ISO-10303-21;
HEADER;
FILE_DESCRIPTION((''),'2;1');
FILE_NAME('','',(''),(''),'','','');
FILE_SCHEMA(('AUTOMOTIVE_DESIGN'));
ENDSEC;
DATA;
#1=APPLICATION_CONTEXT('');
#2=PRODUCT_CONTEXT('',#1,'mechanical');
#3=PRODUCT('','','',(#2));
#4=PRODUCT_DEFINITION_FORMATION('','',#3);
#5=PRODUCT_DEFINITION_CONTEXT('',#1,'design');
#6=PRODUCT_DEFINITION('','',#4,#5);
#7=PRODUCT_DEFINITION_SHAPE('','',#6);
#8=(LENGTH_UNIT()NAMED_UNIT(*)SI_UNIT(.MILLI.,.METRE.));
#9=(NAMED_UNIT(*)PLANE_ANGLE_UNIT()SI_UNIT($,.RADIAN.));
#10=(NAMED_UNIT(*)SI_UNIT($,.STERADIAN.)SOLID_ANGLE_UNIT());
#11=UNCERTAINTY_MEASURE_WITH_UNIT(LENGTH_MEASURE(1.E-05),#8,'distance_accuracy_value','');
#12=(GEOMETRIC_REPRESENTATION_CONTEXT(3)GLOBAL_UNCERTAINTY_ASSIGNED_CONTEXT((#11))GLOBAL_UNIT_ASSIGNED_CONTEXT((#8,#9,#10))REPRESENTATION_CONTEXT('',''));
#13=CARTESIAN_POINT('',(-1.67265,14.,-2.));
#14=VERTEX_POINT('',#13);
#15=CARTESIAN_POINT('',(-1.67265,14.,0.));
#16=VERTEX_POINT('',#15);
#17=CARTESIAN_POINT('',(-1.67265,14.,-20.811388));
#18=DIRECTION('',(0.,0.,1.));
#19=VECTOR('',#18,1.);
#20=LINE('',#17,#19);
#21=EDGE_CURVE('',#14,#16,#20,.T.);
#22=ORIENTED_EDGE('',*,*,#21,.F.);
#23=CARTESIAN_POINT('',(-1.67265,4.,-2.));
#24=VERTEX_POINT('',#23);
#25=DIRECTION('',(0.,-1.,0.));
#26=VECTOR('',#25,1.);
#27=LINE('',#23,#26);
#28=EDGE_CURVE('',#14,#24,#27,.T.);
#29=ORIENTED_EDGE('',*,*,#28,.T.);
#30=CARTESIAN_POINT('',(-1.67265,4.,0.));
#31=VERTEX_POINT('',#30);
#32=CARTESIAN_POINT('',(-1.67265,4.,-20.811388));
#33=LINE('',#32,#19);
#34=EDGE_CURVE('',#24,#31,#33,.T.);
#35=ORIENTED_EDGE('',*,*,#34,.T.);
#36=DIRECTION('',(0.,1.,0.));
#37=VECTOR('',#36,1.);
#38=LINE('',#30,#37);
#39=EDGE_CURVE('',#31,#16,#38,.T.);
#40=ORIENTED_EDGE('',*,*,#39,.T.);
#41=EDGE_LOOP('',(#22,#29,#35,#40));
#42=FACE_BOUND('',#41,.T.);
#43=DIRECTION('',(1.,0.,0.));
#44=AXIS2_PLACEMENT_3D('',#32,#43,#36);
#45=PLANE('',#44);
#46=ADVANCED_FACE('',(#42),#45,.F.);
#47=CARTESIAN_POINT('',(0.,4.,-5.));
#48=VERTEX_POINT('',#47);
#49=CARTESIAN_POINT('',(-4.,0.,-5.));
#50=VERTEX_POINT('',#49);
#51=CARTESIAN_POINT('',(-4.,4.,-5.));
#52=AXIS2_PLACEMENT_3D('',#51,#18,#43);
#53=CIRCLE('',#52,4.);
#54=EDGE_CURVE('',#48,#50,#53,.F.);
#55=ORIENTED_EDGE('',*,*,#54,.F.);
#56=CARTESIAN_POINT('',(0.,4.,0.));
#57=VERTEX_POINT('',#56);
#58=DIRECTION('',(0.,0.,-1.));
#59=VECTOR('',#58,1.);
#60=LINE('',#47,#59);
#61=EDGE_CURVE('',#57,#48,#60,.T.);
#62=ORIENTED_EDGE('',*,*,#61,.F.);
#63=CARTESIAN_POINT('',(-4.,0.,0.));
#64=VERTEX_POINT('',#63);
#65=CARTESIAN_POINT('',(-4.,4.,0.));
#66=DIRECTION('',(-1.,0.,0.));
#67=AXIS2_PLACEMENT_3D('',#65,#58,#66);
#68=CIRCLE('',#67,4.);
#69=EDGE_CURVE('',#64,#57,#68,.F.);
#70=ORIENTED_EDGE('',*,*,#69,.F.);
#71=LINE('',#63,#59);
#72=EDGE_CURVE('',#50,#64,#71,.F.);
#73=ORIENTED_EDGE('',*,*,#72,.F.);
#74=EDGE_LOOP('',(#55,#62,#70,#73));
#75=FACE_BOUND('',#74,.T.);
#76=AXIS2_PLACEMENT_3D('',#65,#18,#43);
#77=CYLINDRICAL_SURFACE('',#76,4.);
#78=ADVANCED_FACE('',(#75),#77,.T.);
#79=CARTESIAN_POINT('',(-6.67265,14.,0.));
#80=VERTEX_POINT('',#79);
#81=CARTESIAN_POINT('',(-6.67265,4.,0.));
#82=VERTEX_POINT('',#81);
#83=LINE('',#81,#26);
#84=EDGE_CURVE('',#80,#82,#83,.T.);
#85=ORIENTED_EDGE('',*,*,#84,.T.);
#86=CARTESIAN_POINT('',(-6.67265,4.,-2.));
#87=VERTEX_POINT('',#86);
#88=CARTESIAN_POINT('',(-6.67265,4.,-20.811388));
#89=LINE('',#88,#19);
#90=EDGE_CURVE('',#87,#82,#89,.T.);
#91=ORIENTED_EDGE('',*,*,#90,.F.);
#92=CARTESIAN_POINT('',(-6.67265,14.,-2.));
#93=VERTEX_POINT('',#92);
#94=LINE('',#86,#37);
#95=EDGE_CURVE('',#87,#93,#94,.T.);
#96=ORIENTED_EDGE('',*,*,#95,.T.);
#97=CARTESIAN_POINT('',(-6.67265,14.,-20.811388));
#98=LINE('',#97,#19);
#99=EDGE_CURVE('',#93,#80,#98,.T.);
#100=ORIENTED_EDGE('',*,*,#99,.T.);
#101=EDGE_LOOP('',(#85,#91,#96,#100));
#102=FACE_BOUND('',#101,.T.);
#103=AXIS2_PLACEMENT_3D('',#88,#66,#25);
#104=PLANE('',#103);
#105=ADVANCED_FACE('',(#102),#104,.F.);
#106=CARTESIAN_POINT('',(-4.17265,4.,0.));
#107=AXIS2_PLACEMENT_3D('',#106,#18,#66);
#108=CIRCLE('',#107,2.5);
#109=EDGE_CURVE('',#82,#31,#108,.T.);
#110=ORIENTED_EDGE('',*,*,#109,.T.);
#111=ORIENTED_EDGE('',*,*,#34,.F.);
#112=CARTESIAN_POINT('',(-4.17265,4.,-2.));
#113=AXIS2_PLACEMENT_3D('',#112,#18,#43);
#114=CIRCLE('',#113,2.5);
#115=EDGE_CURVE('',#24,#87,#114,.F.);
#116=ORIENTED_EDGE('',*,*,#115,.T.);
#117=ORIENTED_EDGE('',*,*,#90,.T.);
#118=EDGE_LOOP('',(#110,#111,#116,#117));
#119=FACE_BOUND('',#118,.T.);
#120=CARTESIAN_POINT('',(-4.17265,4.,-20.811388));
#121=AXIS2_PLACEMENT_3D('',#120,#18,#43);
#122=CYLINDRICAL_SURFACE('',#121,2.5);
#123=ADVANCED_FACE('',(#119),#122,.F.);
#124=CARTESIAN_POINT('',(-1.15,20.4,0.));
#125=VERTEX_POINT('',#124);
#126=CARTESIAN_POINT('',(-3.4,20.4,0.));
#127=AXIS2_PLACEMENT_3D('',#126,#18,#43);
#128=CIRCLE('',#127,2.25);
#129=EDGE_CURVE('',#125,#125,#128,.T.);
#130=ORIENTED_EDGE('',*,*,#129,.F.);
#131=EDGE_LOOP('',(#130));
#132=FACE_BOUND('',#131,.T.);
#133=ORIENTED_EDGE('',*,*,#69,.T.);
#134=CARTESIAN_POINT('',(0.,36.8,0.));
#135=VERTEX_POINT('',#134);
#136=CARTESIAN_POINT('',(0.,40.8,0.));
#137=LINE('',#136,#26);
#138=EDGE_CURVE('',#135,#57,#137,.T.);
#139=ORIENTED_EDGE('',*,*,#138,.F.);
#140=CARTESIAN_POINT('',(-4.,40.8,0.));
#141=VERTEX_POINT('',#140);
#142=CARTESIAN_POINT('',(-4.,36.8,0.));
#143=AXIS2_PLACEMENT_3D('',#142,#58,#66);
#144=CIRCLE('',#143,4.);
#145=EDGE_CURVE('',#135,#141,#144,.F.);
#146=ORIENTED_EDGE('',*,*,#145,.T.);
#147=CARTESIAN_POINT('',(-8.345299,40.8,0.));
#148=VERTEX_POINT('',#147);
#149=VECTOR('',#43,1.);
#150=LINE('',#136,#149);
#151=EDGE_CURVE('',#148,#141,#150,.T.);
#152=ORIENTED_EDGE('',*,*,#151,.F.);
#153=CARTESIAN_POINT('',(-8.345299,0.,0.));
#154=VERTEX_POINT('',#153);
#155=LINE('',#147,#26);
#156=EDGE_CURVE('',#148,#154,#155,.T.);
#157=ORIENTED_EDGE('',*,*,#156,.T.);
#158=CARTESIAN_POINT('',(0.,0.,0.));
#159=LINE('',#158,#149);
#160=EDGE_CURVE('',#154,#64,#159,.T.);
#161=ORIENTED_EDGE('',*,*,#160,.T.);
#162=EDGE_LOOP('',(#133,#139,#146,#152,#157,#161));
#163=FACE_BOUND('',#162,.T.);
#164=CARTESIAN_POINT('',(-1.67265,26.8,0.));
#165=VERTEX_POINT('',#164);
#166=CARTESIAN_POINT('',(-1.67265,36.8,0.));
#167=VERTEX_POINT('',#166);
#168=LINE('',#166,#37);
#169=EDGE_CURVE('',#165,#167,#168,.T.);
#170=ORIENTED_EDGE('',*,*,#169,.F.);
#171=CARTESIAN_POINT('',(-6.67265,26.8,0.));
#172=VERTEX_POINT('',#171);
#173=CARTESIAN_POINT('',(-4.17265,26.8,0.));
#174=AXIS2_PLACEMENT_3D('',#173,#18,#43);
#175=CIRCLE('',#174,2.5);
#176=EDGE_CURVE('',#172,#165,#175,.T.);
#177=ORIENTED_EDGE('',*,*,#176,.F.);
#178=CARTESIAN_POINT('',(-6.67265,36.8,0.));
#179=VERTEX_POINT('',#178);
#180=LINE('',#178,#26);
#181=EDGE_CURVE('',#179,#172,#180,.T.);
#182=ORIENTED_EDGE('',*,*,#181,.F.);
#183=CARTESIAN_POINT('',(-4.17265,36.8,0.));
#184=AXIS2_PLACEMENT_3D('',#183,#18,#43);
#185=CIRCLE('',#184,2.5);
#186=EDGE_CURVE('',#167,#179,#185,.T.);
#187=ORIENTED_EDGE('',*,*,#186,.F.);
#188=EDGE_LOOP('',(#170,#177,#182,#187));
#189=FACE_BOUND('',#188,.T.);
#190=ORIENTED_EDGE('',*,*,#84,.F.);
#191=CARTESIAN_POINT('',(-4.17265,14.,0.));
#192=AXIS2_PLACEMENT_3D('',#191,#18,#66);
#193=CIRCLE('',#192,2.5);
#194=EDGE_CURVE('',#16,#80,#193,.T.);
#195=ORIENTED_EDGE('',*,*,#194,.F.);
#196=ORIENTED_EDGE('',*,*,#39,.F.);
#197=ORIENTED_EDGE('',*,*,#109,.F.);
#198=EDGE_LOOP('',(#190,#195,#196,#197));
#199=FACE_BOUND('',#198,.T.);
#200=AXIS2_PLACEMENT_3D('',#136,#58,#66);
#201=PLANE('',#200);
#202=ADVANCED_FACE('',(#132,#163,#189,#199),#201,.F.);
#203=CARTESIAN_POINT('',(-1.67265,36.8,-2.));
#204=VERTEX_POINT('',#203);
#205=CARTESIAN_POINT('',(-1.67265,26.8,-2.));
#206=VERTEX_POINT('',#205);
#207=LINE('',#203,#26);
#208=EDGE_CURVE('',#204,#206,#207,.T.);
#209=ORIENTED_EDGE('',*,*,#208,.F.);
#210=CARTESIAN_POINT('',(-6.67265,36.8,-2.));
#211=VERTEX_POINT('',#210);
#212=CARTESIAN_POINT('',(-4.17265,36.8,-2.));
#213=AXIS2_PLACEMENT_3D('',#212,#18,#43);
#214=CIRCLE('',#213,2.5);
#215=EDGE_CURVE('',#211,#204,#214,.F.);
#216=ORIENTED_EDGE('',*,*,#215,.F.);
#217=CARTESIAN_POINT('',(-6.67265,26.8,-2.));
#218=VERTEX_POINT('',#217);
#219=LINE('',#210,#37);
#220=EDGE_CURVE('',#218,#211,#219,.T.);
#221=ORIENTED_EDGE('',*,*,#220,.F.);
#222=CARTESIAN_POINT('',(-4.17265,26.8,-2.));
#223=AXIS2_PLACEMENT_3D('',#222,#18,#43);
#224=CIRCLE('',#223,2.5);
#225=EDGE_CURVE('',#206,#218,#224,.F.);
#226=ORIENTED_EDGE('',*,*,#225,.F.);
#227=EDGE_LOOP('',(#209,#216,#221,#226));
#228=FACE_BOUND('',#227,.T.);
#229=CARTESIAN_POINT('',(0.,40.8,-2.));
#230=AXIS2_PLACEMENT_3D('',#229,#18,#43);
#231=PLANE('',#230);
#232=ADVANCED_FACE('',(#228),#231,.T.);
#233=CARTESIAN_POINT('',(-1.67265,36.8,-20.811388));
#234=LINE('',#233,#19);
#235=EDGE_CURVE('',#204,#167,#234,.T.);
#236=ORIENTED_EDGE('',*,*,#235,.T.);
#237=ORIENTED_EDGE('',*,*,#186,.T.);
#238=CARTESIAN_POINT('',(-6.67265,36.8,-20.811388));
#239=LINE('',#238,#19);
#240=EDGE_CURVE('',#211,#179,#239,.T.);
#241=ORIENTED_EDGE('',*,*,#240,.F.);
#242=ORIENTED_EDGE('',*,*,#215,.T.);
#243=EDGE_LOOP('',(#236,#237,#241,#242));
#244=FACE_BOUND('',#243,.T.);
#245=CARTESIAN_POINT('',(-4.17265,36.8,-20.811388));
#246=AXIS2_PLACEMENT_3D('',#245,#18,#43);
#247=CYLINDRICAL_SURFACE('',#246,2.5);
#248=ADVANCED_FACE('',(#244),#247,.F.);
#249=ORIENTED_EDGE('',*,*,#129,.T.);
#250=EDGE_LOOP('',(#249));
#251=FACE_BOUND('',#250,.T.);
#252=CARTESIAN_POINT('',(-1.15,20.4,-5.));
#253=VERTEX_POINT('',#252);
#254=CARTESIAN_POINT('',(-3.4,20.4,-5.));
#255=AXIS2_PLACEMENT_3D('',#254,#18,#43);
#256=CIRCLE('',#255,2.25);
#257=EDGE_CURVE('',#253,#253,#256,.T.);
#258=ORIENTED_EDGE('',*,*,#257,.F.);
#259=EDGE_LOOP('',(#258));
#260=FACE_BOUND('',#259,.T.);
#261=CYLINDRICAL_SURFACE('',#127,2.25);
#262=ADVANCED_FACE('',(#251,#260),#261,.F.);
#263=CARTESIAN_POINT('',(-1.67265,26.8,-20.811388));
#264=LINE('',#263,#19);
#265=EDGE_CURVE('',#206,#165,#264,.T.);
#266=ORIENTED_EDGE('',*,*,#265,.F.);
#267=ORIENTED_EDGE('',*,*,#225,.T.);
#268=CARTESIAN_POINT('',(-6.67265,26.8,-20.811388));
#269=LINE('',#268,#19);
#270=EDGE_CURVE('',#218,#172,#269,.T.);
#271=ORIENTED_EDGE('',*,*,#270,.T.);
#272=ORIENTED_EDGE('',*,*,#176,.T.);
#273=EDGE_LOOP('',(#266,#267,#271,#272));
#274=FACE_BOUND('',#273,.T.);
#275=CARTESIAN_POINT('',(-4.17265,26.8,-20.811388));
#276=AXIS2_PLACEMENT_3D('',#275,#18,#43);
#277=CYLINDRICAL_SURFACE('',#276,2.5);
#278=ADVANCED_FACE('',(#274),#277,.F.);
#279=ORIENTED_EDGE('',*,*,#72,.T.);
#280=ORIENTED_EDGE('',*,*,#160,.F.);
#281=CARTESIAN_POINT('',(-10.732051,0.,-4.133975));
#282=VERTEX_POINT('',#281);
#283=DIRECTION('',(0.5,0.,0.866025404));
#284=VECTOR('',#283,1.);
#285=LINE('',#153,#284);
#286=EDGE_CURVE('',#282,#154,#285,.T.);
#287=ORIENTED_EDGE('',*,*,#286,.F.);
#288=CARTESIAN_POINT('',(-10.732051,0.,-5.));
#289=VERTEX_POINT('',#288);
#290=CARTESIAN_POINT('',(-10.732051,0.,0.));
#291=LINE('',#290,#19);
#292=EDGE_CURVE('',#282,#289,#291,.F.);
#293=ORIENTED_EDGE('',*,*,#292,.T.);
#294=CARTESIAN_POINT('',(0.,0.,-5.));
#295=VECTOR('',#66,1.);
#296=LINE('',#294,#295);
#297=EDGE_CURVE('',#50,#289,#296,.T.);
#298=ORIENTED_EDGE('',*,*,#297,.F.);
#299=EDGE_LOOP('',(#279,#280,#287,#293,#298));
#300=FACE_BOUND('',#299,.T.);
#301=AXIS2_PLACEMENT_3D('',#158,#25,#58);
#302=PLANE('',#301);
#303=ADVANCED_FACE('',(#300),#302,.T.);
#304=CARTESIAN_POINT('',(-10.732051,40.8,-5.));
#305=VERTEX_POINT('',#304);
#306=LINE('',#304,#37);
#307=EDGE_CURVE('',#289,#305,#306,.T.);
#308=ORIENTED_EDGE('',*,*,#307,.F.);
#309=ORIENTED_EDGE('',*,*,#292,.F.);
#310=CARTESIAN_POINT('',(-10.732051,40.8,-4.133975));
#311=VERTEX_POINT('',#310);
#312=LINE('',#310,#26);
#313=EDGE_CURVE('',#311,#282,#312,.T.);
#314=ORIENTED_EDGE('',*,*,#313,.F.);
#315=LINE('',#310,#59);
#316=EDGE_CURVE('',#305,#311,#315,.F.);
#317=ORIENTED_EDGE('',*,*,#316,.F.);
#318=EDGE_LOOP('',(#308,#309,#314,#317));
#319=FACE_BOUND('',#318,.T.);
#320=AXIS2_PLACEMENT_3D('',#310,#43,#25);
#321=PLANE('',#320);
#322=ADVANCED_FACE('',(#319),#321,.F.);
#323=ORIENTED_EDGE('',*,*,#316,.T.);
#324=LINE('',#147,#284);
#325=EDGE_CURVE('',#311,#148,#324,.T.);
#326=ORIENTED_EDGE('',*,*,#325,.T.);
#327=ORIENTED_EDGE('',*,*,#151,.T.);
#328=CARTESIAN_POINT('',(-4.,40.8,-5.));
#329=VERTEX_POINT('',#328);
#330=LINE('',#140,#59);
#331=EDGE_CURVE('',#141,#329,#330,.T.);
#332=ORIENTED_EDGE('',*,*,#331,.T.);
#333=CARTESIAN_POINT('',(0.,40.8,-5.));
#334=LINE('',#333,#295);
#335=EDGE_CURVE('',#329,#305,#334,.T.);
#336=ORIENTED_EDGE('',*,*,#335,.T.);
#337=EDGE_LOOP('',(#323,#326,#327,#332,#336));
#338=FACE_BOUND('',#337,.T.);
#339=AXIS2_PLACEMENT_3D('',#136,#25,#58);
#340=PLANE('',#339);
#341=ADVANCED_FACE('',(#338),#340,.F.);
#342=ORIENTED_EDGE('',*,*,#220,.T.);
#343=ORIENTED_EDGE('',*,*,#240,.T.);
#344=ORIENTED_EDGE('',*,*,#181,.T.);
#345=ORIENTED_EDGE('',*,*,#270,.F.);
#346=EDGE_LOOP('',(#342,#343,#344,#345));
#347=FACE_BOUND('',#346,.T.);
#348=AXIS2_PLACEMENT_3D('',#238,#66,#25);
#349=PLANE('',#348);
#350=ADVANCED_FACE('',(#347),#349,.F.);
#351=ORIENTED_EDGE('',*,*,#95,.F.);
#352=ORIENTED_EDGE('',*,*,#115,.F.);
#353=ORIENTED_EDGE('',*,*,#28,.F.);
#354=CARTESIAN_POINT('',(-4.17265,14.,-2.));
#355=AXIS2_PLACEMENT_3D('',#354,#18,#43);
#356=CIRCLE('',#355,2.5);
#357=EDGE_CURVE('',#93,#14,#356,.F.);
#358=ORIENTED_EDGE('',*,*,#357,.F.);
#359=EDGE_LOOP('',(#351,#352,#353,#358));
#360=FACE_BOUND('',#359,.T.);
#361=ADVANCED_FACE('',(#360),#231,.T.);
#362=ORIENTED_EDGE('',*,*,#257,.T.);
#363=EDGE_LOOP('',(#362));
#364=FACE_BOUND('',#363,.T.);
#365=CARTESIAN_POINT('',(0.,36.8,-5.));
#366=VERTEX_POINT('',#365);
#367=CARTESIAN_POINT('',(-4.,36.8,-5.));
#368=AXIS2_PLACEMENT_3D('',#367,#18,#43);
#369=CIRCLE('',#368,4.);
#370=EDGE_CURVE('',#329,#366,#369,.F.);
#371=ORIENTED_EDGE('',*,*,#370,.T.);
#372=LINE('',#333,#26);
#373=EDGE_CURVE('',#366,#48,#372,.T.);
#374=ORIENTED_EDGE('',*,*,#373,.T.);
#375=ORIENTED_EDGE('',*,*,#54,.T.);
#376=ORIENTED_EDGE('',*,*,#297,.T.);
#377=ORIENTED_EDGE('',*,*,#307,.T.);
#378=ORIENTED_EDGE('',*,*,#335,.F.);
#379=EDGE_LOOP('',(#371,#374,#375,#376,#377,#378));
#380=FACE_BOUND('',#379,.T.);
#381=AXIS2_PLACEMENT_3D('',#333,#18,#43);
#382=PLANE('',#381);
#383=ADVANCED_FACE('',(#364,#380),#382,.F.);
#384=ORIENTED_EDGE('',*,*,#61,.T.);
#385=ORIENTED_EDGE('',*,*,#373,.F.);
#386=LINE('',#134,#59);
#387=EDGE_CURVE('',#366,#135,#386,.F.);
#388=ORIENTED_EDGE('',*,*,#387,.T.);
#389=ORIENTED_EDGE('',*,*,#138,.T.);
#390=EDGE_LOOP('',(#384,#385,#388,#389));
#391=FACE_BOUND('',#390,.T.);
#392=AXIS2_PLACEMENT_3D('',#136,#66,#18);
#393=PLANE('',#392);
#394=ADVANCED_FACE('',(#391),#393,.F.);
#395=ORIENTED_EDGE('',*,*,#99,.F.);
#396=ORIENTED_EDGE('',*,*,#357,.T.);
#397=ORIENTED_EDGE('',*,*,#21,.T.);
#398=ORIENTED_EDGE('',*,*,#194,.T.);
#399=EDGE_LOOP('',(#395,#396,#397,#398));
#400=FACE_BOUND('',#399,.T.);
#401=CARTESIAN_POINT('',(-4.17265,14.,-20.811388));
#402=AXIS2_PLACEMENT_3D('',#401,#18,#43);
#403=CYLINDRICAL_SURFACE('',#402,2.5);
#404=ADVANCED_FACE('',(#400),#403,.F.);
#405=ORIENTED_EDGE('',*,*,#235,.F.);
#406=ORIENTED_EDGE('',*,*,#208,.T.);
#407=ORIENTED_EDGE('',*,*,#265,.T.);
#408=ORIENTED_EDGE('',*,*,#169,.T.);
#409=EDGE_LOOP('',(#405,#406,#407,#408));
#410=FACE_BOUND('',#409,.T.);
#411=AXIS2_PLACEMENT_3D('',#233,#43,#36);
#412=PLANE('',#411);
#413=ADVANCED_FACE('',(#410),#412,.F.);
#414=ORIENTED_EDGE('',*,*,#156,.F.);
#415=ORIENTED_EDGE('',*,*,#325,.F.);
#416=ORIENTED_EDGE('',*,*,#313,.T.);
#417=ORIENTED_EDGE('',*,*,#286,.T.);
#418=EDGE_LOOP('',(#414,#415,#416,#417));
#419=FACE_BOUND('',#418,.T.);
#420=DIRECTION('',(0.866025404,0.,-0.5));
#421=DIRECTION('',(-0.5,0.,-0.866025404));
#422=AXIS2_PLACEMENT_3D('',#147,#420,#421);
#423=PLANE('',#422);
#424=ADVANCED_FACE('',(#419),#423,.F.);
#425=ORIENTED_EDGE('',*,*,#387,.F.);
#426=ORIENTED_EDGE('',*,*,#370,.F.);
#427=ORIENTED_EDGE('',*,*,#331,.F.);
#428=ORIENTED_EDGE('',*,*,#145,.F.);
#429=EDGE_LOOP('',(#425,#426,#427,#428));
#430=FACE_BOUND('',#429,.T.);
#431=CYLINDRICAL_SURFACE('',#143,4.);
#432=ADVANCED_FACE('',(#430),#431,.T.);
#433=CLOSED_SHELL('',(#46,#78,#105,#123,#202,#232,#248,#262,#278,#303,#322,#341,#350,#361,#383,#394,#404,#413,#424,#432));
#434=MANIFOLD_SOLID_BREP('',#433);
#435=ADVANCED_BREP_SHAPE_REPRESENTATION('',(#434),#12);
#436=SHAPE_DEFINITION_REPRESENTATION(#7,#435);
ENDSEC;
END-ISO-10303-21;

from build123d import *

# Parameters (mm, degrees)
EXTRUDE_1_DEPTH     = 40.8
FILLET_1_R          = 4
CUT_EXTRUDE_1_DEPTH = 2
HOLE_WIZARD_M41_D   = 4.5
CHAMFER_1_SIZE      = 0.5
CHAMFER_1_SIZE2     = 1


with BuildPart() as part:
    # Эскиз1 → Бобышка-Вытянуть1 (new body)
    with BuildSketch(Plane(origin=(0, 0, 0), x_dir=(1, 0, 0), z_dir=(0, 1, 0))):
        Polygon((0, 0), (0, 5), (-11.232050808, 5), (-8.345299462, 0), align=None)
    extrude(amount=EXTRUDE_1_DEPTH)

    # Скругление1
    fillet_1_edges = [part.edges().sort_by_distance(p)[0] for p in [
        (0, 0, -2.5),
        (0, 40.8, -2.5),
    ]]
    fillet(fillet_1_edges, radius=FILLET_1_R)

    # Эскиз4 → Вырез-Вытянуть1 (cut)
    with BuildSketch(Plane.XY):
        with BuildLine():
            Line((-1.672649731, 36.8), (-1.672649731, 26.8))
            ThreePointArc((-1.672649731, 26.8), (-4.172649731, 24.3), (-6.672649731, 26.8))
            Line((-6.672649731, 26.8), (-6.672649731, 36.8))
            ThreePointArc((-6.672649731, 36.8), (-4.172649731, 39.3), (-1.672649731, 36.8))
        make_face()
        with BuildLine():
            Line((-1.672649731, 4), (-1.672649731, 14))
            ThreePointArc((-1.672649731, 14), (-4.172649731, 16.5), (-6.672649731, 14))
            Line((-6.672649731, 14), (-6.672649731, 4))
            ThreePointArc((-6.672649731, 4), (-4.172649731, 1.5), (-1.672649731, 4))
        make_face()
    extrude(amount=-CUT_EXTRUDE_1_DEPTH, mode=Mode.SUBTRACT)

    # Отверстие с зазором M41 (through all)
    with Locations(Plane.XY):
        with Locations((-3.4, 20.4)):
            Hole(HOLE_WIZARD_M41_D / 2)

    # Фаска1
    chamfer_1_edges = [part.edges().sort_by_distance(p)[0] for p in [
        (-11.232050808, 20.4, -5),
    ]]
    chamfer_1_side = [part.faces().sort_by_distance(p)[0] for p in [
        (-5.771423716, 20.4, -5),
    ]]
    chamfer(chamfer_1_edges, length=CHAMFER_1_SIZE, length2=CHAMFER_1_SIZE2, reference=chamfer_1_side[0])


solid = part.part
